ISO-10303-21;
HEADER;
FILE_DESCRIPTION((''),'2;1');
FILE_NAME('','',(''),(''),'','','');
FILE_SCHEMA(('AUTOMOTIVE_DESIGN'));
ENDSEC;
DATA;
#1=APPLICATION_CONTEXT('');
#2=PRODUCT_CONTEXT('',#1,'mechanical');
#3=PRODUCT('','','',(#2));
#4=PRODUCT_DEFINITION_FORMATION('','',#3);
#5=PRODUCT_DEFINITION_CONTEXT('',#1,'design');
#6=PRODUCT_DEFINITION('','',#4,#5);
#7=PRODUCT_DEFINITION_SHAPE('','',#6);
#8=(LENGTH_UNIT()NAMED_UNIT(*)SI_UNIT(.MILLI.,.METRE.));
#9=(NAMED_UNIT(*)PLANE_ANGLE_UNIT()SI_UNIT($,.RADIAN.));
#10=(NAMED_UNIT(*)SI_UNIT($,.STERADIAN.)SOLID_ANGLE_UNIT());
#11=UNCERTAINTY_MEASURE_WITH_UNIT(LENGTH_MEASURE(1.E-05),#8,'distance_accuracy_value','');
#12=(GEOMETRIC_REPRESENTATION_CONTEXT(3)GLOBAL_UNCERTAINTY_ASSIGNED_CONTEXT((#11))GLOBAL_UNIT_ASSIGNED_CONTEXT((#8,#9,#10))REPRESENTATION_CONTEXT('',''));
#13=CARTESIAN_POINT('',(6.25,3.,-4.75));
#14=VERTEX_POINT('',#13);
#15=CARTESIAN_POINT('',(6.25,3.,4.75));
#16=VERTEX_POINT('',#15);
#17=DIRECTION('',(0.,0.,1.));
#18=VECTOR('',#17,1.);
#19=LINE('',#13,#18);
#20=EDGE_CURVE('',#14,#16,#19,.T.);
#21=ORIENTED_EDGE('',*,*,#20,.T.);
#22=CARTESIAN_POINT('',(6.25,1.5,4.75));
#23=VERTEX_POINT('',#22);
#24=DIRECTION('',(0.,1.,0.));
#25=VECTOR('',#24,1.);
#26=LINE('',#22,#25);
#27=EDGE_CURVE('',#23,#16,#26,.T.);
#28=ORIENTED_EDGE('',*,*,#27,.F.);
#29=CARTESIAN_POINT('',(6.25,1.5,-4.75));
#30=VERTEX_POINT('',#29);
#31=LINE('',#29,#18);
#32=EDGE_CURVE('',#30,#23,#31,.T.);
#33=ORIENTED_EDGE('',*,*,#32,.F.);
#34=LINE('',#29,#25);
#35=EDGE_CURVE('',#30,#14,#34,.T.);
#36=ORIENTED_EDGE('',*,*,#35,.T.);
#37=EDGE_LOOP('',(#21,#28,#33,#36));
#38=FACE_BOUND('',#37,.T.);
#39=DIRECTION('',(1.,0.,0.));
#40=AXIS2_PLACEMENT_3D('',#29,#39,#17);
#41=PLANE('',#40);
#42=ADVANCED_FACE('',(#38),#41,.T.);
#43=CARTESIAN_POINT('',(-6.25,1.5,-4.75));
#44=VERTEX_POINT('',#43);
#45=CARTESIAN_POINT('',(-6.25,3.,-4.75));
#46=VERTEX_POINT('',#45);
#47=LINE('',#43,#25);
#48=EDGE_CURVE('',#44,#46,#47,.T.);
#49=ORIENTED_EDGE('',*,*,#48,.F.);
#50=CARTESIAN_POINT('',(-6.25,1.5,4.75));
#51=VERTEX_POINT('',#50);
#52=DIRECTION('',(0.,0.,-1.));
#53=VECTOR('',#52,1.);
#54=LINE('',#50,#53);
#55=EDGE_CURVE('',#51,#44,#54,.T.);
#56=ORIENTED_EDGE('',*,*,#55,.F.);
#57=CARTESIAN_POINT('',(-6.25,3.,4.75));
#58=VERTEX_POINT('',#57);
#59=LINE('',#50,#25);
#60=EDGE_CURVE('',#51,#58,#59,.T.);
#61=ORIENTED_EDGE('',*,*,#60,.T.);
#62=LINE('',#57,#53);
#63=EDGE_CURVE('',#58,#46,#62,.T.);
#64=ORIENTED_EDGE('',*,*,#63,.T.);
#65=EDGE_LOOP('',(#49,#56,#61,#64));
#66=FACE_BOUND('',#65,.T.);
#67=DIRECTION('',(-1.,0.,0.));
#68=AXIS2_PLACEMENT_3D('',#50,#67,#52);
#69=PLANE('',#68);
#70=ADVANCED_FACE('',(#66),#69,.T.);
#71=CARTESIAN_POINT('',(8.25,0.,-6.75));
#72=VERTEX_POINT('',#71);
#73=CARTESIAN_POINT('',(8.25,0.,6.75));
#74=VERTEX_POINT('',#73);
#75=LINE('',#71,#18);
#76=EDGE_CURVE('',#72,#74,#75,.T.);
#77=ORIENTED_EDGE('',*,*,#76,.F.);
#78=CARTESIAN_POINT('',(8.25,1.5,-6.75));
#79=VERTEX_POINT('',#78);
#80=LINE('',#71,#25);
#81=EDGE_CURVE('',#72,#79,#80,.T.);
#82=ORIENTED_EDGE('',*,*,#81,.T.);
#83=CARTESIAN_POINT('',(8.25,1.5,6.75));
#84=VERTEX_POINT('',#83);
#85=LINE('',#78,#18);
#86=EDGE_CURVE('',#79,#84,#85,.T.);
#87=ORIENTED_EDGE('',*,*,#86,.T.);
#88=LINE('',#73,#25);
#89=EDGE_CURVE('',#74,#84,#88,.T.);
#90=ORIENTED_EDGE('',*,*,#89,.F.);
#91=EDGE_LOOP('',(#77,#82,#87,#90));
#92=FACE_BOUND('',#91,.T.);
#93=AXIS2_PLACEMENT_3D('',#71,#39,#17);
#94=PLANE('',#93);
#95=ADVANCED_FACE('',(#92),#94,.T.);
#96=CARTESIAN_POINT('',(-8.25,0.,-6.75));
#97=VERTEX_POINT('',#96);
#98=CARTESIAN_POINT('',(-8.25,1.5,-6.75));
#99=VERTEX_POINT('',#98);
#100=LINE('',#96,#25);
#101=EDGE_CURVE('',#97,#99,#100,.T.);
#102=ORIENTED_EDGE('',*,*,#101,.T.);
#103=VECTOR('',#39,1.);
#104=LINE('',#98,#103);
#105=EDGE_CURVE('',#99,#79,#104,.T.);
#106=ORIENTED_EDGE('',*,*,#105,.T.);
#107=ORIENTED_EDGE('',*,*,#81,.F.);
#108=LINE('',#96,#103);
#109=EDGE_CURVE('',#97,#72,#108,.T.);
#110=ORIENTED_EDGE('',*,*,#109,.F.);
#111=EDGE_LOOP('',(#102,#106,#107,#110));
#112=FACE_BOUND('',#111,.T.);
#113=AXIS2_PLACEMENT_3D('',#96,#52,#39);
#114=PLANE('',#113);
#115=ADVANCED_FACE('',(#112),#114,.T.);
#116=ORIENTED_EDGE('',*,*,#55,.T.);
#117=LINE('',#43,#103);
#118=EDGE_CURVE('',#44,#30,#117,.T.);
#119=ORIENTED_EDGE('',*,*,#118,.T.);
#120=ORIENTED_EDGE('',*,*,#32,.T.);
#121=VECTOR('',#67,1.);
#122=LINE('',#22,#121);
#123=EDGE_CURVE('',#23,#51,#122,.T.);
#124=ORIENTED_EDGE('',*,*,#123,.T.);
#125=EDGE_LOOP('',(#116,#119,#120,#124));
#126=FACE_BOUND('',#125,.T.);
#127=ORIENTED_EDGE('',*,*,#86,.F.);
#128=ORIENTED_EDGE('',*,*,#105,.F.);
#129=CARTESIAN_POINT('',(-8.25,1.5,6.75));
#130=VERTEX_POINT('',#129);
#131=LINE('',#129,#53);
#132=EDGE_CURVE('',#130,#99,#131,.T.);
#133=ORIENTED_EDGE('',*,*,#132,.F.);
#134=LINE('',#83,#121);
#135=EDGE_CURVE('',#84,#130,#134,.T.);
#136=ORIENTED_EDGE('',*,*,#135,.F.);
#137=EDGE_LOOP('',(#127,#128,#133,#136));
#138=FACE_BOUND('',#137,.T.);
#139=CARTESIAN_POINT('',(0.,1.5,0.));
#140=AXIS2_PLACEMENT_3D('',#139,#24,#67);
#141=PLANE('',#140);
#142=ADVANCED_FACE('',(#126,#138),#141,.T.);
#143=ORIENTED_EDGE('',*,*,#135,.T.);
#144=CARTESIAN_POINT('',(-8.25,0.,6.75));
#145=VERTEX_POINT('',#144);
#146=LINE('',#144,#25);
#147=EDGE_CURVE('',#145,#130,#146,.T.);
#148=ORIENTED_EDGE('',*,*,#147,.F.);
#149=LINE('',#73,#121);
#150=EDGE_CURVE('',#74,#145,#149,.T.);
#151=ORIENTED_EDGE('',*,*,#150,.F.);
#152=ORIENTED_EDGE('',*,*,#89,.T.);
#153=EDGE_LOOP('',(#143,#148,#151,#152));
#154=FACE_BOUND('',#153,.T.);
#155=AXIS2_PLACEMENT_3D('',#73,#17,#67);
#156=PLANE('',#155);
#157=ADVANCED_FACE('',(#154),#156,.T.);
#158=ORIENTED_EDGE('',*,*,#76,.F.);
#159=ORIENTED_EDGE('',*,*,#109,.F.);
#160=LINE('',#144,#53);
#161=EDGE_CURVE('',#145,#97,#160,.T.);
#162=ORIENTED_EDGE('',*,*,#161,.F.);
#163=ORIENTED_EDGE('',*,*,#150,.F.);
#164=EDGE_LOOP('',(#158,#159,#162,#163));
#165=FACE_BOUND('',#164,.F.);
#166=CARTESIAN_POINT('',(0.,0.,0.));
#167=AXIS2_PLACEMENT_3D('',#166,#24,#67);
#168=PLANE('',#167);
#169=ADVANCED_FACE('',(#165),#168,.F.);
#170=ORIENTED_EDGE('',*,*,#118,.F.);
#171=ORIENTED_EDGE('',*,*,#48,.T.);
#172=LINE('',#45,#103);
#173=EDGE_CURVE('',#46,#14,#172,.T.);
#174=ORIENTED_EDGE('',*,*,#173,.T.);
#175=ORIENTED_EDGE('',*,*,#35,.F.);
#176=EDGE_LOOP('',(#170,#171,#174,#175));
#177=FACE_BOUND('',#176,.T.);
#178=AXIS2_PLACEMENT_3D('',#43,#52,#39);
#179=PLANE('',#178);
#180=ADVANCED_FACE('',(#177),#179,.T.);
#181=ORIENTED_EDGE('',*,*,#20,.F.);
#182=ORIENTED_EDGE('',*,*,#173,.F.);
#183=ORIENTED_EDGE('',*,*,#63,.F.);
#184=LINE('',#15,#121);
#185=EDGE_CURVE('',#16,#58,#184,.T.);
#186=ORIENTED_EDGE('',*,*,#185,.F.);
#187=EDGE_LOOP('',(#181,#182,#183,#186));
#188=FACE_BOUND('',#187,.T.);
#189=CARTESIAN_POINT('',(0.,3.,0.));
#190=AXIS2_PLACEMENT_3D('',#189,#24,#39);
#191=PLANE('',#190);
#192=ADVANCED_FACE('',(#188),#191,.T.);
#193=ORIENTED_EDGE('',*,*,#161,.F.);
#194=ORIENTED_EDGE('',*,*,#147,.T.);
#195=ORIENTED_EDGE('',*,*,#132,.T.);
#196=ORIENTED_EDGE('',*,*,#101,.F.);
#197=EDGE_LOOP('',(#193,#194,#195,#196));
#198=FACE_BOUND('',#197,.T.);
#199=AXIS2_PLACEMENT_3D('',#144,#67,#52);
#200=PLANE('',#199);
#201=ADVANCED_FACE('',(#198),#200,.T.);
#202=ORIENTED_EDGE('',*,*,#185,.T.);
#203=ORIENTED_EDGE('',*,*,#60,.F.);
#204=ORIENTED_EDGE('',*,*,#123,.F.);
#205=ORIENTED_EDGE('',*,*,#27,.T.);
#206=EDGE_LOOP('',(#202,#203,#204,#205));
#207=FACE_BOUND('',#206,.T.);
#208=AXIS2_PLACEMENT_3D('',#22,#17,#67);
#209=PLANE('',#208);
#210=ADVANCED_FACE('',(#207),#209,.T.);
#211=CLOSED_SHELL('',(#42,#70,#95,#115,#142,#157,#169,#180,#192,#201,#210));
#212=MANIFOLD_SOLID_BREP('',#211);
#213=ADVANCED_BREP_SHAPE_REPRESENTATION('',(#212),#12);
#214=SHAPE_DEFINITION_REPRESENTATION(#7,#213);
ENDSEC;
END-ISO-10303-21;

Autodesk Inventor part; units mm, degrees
ref_plane "YZ Plane" through (0, 0, 0) normal (1, 0, 0) x (0, 1, 0)
ref_plane "XZ Plane" through (0, 0, 0) normal (0, 1, 0) x (-1, 0, 0)
ref_plane "XY Plane" through (0, 0, 0) normal (0, 0, 1) x (1, 0, 0)
sketch "Sketch1" plane through (0, 0, 0) normal (0, 1, 0) x (-1, 0, 0)
  line L0 (-8.25, 6.75) -> (8.25, 6.75)
  line L1 (8.25, 6.75) -> (8.25, -6.75)
  line L2 (8.25, -6.75) -> (-8.25, -6.75)
  line L3 (-8.25, -6.75) -> (-8.25, 6.75)
  line L4 (-8.25, 6.75) -> (8.25, -6.75) construction
  line L5 (8.25, 6.75) -> (-8.25, -6.75) construction
  point P0 (0, 0)
  dimension "d0" = 16.5
  dimension "d1" = 13.5
extrude "Extrusion1" add sketch "Sketch1" along normal blind 1.5
sketch "Sketch2" plane through (0, 1.5, 0) normal (0, 1, 0) x (1, 0, 0)
  line L0 (6.25, -4.75) -> (-6.25, -4.75)
  line L1 (-6.25, -4.75) -> (-6.25, 4.75)
  line L2 (-6.25, 4.75) -> (6.25, 4.75)
  line L3 (6.25, 4.75) -> (6.25, -4.75)
  line L4 (6.25, -4.75) -> (-6.25, 4.75) construction
  line L5 (-6.25, -4.75) -> (6.25, 4.75) construction
  line L6 (-8.25, 6.75) -> (-8.25, -6.75) projected
  line L7 (-8.25, -6.75) -> (8.25, -6.75) projected
  point P0 (0, 0)
  dimension "d4" = 2
  dimension "d5" = 2
extrude "Extrusion2" add sketch "Sketch2" along normal blind 1.5
equation "\"d5\" = d4"
properties part number "Colorimeter_Seal_Detector"
